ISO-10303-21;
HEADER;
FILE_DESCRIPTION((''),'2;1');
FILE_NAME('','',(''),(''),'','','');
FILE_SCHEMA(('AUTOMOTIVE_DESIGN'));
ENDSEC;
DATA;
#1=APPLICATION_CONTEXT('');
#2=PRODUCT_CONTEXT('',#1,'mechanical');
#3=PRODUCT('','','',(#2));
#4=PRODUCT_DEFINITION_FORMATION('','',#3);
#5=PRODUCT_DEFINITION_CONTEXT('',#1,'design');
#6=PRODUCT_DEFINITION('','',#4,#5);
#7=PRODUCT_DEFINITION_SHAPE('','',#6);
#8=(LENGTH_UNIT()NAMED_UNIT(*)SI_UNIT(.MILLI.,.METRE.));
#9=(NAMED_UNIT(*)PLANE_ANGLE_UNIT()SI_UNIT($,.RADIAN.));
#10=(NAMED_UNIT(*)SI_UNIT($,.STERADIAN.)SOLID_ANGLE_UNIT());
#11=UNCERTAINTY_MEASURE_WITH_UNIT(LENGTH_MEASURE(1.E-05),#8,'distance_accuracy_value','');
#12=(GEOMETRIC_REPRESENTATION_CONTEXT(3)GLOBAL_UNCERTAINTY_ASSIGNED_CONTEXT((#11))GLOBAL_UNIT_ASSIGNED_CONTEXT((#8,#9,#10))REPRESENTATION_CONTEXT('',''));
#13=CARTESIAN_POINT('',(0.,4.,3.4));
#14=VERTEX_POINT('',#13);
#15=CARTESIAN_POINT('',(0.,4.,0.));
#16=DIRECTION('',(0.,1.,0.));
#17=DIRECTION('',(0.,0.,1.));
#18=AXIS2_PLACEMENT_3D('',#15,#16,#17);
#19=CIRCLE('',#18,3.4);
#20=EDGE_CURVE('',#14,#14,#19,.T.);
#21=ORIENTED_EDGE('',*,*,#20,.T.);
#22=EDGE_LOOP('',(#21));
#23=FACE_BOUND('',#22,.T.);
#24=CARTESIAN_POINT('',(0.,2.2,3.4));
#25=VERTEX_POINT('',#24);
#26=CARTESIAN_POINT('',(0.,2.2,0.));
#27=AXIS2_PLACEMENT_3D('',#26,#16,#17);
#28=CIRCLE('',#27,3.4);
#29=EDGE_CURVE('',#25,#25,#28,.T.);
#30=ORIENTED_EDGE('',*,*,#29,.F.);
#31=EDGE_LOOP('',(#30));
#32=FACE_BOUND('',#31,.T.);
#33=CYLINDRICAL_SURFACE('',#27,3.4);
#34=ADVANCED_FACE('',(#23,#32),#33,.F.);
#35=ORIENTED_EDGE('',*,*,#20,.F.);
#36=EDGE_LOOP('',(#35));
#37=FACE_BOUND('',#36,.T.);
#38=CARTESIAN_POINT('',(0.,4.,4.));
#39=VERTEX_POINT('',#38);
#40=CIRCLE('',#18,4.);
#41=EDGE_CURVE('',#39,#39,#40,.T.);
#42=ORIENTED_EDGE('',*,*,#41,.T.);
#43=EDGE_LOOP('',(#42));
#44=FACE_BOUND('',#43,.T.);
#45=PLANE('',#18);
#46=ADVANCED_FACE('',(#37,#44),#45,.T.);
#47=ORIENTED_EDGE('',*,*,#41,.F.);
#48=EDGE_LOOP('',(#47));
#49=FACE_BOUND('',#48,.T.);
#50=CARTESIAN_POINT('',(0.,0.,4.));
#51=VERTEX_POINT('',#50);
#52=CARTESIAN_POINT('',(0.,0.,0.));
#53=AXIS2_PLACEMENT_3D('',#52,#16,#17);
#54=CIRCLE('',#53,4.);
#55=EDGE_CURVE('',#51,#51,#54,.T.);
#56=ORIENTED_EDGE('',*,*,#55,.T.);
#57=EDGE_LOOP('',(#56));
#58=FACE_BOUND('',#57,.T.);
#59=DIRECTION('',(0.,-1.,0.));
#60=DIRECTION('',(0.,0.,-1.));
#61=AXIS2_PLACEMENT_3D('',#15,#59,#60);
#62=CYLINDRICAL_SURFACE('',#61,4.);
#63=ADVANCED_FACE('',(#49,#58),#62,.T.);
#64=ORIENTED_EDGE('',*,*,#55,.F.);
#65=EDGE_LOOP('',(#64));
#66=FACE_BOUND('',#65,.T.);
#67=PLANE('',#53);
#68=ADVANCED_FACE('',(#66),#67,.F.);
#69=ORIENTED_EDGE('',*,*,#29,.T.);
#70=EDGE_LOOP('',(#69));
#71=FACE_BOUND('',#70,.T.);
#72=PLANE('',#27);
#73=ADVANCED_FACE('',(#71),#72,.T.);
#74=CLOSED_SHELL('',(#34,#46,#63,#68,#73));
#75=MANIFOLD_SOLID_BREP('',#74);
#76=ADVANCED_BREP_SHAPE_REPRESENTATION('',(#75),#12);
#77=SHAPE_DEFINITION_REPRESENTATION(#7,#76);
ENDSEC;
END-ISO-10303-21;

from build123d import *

# Parameters (mm, degrees)
SKETCH1_R           = 4
BOSS_EXTRUDE1_DEPTH = 4
SKETCH2_R           = 3.4
CUT_EXTRUDE1_DEPTH  = 1.8


with BuildPart() as part:
    # Sketch1 → Boss-Extrude1 (new body)
    with BuildSketch(Plane(origin=(0, 0, 0), x_dir=(1, 0, 0), z_dir=(0, 1, 0))):
        Circle(SKETCH1_R)
    extrude(amount=BOSS_EXTRUDE1_DEPTH)

    # Sketch2 → Cut-Extrude1 (cut)
    with BuildSketch(Plane(origin=(0, 4, 0), x_dir=(1, 0, 0), z_dir=(0, 1, 0))):
        Circle(SKETCH2_R)
    extrude(amount=-CUT_EXTRUDE1_DEPTH, mode=Mode.SUBTRACT)


solid = part.part
